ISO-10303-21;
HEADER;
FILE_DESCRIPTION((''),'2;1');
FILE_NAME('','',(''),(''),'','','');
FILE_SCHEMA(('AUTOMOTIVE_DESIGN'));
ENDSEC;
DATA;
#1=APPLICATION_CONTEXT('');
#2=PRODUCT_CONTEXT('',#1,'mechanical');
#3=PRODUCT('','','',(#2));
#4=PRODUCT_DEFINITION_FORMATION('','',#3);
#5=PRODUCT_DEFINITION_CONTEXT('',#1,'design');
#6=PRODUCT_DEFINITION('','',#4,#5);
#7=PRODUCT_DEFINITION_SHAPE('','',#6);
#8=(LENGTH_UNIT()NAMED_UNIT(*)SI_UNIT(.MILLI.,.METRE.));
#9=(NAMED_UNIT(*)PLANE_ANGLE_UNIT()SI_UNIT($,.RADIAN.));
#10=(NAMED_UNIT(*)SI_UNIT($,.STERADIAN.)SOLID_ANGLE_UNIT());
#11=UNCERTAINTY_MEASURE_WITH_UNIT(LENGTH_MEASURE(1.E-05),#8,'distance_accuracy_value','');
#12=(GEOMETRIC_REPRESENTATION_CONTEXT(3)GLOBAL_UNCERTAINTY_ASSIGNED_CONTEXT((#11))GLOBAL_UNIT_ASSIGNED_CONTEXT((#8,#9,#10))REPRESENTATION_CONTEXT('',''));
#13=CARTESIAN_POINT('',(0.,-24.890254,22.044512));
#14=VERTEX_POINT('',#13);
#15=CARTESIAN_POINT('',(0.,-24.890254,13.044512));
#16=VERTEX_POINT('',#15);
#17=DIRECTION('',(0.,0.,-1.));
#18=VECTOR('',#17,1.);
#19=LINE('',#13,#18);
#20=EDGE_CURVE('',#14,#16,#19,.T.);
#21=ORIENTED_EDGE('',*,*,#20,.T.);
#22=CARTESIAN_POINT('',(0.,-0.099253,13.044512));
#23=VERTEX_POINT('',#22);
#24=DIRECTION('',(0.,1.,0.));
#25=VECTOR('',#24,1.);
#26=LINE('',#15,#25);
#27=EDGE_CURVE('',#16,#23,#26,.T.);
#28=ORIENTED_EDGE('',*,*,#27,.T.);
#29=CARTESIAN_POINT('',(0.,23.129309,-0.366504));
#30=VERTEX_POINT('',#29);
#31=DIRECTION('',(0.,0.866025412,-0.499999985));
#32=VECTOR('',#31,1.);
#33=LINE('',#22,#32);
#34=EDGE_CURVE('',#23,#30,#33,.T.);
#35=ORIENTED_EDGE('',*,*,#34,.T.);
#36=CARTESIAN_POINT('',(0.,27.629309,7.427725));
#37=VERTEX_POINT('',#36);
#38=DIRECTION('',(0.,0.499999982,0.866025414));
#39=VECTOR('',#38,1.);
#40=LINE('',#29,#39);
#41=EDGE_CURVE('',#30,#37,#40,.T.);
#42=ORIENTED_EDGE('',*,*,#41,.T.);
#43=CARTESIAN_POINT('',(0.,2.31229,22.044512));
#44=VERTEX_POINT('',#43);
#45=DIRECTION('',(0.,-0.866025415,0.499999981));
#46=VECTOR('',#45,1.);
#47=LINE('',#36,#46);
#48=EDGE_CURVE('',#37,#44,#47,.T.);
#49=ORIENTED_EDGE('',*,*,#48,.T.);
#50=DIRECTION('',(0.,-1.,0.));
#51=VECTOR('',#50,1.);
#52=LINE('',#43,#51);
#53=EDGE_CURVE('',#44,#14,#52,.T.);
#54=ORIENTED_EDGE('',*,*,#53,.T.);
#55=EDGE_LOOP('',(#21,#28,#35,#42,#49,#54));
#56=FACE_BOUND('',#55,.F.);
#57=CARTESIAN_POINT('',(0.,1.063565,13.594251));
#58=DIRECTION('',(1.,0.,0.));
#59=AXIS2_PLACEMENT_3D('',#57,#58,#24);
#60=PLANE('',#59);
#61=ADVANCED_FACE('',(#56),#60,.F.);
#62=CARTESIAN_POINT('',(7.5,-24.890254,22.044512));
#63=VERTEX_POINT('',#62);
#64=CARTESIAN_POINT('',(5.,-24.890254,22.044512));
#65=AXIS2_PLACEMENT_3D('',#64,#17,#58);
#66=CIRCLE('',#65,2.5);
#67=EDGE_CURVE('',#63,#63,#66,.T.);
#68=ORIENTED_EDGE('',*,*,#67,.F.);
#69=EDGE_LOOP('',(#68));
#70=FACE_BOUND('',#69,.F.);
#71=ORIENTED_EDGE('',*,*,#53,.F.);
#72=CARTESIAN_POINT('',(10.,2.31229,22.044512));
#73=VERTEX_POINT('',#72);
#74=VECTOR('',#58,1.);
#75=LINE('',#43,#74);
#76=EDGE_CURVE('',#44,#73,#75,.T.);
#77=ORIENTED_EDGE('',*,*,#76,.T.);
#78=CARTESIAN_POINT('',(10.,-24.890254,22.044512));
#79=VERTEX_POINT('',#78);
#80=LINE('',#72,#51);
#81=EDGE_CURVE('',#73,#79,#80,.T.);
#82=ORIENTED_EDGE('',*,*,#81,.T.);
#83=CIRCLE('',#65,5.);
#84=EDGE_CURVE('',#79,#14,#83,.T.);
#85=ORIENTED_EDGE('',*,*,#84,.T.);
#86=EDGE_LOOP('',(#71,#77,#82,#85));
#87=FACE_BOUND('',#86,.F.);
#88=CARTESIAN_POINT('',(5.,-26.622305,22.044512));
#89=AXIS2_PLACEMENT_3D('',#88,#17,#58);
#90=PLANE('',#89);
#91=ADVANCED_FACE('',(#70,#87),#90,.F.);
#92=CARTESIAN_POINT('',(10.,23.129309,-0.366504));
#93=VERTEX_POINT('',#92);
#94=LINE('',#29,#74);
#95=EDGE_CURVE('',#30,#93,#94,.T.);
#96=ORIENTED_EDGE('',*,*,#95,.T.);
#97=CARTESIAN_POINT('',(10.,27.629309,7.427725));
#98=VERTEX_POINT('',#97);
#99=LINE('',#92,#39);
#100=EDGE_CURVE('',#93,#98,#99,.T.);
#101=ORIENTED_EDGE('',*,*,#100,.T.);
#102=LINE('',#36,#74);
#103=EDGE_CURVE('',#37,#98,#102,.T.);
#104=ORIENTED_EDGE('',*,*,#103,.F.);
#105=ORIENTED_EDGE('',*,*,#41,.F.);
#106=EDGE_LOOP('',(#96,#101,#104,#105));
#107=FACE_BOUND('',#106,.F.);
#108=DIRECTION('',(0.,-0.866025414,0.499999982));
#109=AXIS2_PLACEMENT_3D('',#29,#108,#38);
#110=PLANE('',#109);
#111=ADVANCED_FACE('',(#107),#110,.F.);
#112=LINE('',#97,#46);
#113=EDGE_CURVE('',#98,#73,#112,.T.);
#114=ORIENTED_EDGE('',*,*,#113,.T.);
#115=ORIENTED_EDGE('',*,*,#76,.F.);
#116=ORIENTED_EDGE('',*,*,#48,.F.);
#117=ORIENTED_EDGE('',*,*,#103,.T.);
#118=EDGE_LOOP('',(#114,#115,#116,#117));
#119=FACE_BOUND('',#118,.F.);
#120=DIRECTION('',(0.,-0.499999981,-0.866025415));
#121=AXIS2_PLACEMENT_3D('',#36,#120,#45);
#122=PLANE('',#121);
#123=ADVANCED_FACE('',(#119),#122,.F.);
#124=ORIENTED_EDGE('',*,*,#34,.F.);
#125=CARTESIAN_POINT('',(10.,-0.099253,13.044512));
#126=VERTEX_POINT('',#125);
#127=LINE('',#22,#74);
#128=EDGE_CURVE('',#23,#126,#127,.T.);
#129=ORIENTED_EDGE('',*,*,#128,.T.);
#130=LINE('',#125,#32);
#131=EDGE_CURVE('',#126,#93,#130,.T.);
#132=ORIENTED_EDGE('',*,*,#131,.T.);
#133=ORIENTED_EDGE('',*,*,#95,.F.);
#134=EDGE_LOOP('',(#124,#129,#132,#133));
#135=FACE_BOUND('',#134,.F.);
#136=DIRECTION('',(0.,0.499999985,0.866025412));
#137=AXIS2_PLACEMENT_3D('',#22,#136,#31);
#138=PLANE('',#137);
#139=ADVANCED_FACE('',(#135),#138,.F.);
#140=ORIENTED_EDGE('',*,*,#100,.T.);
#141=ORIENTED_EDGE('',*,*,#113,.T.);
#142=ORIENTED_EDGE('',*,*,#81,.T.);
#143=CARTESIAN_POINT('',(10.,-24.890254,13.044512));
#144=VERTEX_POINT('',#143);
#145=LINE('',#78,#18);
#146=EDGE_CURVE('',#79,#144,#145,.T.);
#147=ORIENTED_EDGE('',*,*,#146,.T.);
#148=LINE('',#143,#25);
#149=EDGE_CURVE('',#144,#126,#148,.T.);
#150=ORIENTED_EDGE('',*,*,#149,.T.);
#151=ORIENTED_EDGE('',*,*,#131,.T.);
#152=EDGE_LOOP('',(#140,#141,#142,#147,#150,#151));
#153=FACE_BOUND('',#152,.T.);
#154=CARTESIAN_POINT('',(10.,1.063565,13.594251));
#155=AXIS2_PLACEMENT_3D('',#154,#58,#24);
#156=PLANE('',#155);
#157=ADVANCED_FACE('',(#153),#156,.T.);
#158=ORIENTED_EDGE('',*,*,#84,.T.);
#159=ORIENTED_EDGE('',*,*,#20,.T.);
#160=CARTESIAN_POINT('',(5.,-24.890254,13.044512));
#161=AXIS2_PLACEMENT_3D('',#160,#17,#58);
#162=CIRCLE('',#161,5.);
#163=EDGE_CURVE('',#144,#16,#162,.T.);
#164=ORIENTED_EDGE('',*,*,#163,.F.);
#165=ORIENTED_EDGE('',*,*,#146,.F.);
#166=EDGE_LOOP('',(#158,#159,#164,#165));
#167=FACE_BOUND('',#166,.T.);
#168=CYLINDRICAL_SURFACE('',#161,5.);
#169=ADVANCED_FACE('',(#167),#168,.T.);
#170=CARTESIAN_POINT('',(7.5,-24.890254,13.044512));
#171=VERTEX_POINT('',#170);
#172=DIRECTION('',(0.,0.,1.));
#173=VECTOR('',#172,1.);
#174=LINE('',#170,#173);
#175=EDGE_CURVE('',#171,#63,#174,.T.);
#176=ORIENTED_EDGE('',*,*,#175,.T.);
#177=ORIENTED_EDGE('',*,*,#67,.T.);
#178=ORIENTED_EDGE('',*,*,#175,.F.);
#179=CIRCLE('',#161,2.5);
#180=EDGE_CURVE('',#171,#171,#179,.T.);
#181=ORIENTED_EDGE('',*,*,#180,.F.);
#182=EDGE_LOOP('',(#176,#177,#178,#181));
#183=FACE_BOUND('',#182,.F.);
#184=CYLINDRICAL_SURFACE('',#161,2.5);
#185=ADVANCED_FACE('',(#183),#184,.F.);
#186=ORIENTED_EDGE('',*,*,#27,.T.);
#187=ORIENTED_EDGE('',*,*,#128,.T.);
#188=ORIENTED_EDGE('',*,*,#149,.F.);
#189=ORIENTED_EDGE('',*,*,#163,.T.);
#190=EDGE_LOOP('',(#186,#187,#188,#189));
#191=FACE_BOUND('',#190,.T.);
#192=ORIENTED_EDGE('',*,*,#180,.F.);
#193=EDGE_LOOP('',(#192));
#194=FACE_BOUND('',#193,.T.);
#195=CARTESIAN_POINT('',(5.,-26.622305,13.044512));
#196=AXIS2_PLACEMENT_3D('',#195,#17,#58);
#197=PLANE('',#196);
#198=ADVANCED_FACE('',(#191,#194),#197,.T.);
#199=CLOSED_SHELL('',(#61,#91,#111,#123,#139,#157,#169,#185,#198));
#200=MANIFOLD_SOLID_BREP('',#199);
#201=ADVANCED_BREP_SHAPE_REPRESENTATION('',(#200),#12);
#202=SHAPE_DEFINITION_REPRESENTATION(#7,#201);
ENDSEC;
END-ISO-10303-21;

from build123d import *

# Parameters (mm, degrees)
F1_DEPTH = 10
F3_DEPTH = 9
F4_R     = 2.5
F5_DEPTH = 9


with BuildPart() as f1:
    # F0 (on Right) → F1 (new body)
    with BuildSketch(Plane.YZ):
        Polygon((2.31229, 22.044512), (-24.890254, 22.044512), (-24.890254, 13.044512), (-0.099253, 13.044512), (23.129309, -0.366504), (27.629309, 7.427725), align=None)
    extrude(amount=F1_DEPTH)

    # F2 (on face) → F3 (join)
    with BuildSketch(Plane(origin=(0, 0, 13.044512), x_dir=(1, 0, 0), z_dir=(0, 0, -1))):
        with BuildLine():
            Line((0, 24.890254), (10, 24.890254))
            ThreePointArc((10, 24.890254), (5, 29.890254), (0, 24.890254))
        make_face()
    extrude(amount=-F3_DEPTH)

    # F4 (on face) → F5 (cut)
    with BuildSketch(Plane(origin=(0, 0, 13.044512), x_dir=(1, 0, 0), z_dir=(0, 0, -1))):
        with Locations((5, 24.890254)):
            Circle(F4_R)
    extrude(amount=-F5_DEPTH, mode=Mode.SUBTRACT)


solid = f1.part
